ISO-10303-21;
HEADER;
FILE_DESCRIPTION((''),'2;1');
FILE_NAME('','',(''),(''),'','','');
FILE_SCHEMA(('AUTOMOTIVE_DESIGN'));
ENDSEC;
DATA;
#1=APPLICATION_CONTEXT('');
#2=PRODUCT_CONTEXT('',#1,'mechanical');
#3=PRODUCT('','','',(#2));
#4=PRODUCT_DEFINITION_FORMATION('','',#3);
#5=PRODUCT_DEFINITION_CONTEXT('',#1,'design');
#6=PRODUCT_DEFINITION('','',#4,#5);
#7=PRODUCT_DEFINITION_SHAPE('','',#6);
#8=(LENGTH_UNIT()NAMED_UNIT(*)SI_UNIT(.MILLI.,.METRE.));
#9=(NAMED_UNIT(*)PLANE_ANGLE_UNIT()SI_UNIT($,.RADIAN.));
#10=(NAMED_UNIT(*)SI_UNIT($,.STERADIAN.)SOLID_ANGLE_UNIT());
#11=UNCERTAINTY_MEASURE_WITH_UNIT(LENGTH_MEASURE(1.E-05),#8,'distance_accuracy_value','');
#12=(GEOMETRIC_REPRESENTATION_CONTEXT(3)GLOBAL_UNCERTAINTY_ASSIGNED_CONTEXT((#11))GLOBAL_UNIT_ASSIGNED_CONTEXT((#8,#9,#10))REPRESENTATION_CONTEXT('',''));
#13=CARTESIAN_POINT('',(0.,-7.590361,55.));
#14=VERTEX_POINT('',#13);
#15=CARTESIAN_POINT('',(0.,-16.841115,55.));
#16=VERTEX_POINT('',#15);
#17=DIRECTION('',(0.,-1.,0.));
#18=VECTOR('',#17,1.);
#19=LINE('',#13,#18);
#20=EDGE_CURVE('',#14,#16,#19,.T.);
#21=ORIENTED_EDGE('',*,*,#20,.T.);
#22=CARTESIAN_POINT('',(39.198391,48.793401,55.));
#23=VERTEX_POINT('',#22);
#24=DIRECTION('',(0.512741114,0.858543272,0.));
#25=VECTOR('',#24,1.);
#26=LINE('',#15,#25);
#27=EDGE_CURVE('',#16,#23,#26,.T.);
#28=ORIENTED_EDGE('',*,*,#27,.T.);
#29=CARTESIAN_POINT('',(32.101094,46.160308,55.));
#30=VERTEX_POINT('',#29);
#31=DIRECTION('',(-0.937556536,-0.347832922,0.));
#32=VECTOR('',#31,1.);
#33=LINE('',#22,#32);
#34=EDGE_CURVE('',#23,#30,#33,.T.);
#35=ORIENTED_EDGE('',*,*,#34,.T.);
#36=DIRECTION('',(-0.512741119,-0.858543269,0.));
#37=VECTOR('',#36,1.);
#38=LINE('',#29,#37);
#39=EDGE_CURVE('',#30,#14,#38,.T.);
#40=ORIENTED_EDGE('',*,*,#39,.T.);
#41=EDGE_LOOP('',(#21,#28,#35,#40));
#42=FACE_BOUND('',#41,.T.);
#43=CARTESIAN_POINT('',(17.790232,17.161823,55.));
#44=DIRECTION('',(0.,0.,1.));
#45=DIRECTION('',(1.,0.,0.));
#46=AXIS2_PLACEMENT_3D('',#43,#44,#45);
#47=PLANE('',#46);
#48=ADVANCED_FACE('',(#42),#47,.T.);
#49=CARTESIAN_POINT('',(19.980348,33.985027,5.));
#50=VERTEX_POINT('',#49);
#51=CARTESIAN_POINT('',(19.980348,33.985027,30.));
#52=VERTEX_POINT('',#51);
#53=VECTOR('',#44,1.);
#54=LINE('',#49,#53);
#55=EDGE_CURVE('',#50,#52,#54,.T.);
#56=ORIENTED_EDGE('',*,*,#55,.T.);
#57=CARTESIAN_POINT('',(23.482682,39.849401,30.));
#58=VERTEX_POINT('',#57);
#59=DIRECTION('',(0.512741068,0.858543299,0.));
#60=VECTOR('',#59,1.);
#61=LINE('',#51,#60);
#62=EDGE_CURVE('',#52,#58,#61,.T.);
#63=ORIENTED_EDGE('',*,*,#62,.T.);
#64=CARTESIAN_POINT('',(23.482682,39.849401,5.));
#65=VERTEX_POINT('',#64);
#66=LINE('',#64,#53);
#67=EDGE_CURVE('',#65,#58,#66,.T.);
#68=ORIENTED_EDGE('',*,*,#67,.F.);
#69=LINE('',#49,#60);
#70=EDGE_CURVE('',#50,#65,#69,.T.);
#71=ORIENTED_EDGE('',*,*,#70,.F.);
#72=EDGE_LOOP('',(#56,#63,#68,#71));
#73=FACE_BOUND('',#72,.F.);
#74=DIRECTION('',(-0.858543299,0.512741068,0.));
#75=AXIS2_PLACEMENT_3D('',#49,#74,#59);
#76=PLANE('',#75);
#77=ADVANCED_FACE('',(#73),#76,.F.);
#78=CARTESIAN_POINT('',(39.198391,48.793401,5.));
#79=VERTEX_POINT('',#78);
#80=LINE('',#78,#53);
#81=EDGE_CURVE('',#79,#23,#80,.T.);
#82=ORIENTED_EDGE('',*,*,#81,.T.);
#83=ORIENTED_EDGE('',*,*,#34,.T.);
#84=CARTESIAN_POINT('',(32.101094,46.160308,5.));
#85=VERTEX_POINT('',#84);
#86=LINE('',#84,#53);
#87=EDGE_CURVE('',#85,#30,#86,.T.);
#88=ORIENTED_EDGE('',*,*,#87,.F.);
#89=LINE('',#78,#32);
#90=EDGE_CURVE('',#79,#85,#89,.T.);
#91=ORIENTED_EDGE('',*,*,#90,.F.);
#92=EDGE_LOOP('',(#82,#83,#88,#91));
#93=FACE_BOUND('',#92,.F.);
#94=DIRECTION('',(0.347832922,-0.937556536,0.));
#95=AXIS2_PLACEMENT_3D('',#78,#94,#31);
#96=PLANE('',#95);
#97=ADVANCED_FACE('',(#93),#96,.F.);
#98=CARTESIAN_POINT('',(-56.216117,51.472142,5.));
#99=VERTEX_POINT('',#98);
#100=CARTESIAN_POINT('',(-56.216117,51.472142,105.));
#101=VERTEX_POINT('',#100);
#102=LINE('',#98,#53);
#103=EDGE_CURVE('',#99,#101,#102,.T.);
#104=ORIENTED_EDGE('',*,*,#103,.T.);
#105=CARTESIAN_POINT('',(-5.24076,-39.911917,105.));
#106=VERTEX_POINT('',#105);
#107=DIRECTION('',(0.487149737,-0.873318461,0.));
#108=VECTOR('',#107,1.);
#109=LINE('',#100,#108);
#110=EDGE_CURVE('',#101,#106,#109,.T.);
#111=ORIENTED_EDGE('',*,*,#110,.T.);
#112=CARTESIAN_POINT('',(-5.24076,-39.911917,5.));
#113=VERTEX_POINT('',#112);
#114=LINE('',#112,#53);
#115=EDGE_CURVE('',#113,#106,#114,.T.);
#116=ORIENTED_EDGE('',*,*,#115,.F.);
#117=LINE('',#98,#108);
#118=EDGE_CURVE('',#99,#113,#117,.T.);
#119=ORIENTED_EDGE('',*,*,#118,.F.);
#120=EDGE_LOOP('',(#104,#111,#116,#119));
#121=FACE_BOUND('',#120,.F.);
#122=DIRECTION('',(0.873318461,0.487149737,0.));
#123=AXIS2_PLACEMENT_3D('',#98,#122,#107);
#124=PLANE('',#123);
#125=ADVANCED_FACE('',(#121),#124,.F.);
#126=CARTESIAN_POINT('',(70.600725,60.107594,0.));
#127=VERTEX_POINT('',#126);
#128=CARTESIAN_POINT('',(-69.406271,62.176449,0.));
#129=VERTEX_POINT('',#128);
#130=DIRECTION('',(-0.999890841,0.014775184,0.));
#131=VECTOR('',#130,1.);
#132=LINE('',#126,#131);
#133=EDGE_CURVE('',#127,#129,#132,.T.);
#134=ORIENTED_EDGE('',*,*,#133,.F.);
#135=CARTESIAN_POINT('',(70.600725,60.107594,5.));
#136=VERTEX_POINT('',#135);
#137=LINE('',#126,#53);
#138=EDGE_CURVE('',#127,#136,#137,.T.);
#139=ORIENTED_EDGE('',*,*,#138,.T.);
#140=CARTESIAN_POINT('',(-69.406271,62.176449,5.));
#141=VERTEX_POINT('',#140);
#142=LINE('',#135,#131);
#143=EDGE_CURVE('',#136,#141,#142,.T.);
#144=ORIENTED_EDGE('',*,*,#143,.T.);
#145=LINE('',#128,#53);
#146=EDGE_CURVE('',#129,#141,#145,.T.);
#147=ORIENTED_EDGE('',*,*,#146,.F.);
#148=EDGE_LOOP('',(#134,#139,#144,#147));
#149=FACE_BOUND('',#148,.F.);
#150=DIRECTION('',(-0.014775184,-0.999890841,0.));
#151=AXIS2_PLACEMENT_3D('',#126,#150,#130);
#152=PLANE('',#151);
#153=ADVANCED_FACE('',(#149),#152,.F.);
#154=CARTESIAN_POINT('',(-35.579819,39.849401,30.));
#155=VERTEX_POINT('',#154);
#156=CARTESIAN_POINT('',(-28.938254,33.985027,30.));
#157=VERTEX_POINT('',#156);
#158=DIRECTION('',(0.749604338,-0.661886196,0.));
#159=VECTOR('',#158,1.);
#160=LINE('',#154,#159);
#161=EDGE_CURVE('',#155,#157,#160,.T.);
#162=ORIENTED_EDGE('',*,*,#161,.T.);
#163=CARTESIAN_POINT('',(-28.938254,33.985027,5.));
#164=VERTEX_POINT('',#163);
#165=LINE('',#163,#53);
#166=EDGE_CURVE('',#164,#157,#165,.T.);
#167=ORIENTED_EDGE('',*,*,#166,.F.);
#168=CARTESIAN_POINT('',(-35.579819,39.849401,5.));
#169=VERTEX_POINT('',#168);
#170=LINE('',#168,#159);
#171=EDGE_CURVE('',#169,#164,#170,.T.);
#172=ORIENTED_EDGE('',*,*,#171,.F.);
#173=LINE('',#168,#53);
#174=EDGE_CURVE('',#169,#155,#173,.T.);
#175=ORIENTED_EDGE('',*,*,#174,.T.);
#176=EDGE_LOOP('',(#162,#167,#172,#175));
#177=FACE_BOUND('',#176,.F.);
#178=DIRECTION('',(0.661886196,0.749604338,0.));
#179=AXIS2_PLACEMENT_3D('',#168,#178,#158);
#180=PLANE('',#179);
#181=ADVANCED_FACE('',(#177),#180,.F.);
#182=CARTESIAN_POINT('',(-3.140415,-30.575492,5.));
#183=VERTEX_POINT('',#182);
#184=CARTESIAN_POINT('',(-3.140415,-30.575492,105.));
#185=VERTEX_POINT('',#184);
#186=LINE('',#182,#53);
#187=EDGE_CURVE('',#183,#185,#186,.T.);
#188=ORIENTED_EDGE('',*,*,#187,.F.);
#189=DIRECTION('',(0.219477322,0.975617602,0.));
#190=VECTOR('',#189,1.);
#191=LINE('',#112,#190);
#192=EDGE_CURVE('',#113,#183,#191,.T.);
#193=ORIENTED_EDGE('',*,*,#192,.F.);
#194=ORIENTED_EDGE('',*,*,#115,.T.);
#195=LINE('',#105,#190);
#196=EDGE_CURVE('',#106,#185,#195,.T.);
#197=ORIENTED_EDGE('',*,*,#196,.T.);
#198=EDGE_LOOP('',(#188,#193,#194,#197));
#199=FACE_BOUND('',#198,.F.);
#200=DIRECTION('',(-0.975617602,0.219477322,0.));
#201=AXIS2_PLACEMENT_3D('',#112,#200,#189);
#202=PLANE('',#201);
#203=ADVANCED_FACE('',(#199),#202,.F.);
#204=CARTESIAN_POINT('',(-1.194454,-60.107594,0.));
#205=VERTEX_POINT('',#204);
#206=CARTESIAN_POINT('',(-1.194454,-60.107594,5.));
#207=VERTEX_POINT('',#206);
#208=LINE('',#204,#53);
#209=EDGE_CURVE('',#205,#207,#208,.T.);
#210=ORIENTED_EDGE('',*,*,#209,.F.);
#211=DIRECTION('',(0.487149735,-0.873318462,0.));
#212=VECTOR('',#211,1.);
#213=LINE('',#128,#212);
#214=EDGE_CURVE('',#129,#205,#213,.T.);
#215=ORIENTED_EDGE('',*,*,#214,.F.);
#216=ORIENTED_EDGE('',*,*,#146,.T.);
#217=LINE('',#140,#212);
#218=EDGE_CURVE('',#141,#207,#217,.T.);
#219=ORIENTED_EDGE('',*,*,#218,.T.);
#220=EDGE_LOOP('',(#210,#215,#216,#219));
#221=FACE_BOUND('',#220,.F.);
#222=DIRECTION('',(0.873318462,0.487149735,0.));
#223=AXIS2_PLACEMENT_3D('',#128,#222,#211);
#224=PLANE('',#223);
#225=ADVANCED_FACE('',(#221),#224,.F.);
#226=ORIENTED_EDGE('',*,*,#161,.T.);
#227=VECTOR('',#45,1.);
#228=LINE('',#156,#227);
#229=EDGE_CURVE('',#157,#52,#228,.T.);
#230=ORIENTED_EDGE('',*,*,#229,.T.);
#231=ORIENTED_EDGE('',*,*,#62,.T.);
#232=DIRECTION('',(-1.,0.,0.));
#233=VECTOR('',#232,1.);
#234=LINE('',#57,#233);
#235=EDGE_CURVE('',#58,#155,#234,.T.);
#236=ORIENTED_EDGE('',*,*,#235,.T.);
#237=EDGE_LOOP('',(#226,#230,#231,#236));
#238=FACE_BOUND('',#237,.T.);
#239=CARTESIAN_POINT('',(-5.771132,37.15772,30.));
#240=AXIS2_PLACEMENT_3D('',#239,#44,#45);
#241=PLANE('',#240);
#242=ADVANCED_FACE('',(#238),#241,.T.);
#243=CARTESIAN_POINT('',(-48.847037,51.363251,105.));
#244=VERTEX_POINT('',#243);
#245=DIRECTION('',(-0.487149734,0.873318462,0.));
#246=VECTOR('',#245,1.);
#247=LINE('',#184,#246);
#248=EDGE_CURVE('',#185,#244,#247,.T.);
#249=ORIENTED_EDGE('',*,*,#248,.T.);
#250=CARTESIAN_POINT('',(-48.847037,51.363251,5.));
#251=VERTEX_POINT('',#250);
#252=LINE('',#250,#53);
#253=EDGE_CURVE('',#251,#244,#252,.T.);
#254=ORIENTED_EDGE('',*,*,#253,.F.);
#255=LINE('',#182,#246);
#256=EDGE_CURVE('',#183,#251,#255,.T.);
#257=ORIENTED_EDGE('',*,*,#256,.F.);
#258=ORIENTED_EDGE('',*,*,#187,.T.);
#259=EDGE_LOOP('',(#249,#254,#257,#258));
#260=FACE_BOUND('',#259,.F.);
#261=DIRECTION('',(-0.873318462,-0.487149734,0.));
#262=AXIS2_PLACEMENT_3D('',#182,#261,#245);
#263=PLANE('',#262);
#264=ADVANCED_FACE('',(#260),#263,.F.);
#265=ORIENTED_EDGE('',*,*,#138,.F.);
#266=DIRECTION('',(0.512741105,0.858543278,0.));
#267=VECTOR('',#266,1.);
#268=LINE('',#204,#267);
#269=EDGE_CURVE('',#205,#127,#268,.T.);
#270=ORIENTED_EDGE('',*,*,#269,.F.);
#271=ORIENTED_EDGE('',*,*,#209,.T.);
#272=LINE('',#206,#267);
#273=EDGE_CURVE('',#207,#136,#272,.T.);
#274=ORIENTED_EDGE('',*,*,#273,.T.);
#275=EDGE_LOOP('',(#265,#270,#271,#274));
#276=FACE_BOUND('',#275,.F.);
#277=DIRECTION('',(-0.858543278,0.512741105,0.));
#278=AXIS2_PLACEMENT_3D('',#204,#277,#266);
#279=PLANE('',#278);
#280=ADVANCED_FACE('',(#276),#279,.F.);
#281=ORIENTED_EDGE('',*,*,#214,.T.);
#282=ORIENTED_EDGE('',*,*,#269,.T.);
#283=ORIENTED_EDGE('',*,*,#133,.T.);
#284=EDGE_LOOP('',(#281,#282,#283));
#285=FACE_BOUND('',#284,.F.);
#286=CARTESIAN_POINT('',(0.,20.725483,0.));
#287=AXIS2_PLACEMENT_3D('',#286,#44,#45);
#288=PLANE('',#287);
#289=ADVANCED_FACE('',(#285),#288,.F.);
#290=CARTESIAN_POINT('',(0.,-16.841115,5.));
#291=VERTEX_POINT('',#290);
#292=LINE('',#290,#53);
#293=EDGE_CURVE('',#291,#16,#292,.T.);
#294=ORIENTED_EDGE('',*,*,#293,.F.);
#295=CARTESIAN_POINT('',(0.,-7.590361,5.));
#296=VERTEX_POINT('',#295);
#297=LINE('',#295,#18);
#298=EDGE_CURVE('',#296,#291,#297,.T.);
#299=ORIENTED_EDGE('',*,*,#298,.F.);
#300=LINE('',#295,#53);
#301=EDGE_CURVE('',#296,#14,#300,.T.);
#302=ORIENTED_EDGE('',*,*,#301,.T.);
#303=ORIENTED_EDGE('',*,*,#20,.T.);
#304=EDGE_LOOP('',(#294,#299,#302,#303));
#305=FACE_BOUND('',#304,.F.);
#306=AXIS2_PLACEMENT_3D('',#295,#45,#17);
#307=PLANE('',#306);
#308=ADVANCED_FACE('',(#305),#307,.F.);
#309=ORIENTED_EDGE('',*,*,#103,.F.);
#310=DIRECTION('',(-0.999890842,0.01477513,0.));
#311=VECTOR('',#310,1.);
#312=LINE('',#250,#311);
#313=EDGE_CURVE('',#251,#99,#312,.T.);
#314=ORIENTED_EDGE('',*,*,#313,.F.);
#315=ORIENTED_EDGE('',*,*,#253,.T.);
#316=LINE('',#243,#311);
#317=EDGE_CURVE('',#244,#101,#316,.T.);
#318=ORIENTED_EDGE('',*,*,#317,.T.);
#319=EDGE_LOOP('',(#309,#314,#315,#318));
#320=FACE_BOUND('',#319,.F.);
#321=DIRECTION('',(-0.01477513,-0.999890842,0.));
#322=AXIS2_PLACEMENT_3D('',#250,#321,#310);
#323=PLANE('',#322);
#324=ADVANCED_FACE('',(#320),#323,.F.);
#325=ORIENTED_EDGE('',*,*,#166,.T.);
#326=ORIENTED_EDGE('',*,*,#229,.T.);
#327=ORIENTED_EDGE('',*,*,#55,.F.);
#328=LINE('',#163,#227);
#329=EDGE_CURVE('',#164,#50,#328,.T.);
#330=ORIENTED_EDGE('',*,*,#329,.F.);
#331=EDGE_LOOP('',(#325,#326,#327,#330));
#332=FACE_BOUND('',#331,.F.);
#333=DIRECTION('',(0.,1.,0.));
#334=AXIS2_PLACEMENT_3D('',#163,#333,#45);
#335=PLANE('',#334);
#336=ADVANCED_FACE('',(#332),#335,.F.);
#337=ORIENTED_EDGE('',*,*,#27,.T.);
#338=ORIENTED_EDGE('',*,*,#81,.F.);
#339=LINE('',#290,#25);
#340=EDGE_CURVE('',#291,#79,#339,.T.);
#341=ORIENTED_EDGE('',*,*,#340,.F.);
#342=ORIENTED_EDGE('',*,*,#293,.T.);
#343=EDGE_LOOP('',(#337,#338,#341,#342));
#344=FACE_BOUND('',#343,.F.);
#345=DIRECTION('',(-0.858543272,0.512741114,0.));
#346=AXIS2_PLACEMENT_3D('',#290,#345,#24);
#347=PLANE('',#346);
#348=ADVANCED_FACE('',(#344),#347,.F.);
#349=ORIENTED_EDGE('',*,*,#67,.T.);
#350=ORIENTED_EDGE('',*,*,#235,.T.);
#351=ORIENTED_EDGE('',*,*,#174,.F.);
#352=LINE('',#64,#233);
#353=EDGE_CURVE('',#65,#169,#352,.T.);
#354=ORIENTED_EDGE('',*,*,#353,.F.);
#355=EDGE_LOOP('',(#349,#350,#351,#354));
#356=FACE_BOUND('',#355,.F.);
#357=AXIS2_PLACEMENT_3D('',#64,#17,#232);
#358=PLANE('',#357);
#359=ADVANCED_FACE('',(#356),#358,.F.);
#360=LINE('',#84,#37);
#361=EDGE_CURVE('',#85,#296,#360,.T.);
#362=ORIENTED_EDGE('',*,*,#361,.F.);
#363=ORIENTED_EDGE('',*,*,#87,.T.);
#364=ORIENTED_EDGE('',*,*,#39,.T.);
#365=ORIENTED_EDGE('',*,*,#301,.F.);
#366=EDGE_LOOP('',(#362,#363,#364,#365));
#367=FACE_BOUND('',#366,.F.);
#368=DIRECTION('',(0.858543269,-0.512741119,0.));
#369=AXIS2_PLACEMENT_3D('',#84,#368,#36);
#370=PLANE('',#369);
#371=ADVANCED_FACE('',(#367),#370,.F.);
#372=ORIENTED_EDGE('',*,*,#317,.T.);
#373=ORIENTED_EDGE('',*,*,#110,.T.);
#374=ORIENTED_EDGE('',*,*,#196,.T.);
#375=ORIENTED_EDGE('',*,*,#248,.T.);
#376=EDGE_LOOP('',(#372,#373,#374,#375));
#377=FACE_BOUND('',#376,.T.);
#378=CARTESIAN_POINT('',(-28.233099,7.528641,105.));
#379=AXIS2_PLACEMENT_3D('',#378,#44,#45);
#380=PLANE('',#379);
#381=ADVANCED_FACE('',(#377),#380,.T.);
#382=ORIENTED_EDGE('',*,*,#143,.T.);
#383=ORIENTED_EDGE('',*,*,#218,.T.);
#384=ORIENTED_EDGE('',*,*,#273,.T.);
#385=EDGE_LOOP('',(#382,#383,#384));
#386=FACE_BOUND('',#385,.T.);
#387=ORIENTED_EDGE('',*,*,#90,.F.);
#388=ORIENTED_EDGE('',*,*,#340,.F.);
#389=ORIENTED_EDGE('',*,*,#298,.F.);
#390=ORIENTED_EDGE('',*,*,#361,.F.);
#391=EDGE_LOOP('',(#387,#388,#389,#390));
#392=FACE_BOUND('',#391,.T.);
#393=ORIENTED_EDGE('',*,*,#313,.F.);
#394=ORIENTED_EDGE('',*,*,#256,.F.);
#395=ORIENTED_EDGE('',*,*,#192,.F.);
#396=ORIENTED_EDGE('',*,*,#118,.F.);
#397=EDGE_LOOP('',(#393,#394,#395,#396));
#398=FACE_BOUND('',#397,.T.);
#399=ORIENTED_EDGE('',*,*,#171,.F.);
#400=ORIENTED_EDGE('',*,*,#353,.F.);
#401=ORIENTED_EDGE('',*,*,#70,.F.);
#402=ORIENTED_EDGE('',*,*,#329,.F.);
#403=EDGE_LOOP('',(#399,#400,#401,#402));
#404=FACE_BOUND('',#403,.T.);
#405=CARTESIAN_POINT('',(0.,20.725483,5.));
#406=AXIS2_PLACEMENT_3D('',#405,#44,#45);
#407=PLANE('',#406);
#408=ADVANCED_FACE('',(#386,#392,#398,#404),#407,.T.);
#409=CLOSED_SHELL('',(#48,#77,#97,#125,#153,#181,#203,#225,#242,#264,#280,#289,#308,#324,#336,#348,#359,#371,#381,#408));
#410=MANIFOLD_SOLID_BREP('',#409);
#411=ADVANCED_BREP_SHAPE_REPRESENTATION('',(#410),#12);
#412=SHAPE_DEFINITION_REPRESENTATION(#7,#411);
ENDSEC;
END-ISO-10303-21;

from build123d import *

# Parameters (mm, degrees)
F1_DEPTH = 5
F3_DEPTH = 100
F4_DEPTH = 50
F5_DEPTH = 25


with BuildPart() as f1:
    # F0 (on Top) → F1 (new body)
    with BuildSketch(Plane.XY):
        Polygon((-1.194454, -60.107594), (70.600725, 60.107594), (-69.406271, 62.176449), align=None)
    extrude(amount=F1_DEPTH)

    # F2 (on face) → F3 (join)
    with BuildSketch(Plane.XY.offset(5)):
        Polygon((-48.847037, 51.363251), (-56.216117, 51.472142), (-5.24076, -39.911917), (-3.140415, -30.575492), align=None)
    extrude(amount=F3_DEPTH)

    # F2 (on face) → F4 (join)
    with BuildSketch(Plane.XY.offset(5)):
        Polygon((0, -7.590361), (0, -16.841115), (39.198391, 48.793401), (32.101094, 46.160308), align=None)
    extrude(amount=F4_DEPTH)

    # F2 (on face) → F5 (join)
    with BuildSketch(Plane.XY.offset(5)):
        Polygon((23.482682, 39.849401), (-35.579819, 39.849401), (-28.938254, 33.985027), (19.980348, 33.985027), align=None)
    extrude(amount=F5_DEPTH)


solid = f1.part
